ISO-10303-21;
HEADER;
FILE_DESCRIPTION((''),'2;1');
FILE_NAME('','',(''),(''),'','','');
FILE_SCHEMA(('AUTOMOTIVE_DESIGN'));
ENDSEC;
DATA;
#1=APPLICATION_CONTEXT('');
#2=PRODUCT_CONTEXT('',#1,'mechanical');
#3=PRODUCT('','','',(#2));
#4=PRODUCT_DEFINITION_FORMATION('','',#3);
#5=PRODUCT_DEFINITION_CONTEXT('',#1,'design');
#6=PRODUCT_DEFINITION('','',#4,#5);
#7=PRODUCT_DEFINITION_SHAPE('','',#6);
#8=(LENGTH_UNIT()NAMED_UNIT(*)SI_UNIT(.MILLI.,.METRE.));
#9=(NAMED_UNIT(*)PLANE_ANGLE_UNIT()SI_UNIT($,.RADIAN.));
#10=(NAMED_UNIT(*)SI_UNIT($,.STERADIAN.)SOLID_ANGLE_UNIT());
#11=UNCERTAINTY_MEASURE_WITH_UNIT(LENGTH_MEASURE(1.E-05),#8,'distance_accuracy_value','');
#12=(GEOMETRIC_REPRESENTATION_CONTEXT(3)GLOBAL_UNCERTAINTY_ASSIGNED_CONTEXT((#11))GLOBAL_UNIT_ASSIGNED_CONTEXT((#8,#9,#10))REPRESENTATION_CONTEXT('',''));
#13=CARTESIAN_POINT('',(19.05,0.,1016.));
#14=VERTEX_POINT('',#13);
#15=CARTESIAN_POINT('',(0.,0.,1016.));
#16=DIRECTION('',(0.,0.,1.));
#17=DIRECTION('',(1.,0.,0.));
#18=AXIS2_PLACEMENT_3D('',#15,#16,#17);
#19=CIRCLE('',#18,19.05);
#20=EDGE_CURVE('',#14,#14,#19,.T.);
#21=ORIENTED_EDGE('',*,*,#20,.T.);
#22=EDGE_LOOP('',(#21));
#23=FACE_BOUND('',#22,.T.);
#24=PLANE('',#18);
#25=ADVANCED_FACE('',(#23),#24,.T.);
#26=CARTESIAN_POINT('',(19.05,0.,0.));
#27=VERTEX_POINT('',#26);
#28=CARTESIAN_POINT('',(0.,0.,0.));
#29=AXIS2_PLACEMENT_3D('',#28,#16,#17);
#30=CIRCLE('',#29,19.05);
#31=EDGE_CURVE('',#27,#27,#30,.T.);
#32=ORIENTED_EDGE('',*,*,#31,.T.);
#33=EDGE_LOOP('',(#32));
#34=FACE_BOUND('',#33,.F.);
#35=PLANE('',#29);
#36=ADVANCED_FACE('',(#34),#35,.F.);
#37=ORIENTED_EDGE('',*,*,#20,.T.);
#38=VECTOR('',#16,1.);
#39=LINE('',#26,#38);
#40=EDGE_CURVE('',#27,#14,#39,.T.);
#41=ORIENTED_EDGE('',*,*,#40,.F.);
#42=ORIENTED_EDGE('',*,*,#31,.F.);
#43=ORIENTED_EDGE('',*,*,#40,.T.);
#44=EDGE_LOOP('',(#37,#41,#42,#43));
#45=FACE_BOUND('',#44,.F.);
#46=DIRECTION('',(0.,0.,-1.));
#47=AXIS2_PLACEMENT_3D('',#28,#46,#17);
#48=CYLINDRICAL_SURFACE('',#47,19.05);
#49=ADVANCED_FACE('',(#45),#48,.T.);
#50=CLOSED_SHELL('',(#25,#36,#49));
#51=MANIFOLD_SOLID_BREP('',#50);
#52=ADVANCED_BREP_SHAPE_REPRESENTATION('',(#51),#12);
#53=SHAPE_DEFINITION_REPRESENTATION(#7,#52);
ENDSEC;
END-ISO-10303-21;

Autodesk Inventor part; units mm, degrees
ref_plane "YZ Plane" through (0, 0, 0) normal (1, 0, 0) x (0, 1, 0)
ref_plane "XZ Plane" through (0, 0, 0) normal (0, 1, 0) x (-1, 0, 0)
ref_plane "XY Plane" through (0, 0, 0) normal (0, 0, 1) x (1, 0, 0)
sketch "Sketch1" plane through (0, 0, 0) normal (0, 0, 1) x (1, 0, 0)
  circle A0 centre (0, 0) radius 19.05
  dimension "d0" = 38.1
extrude "Extrusion1" add sketch "Sketch1" along normal blind 1016
properties part number "Pyramid Pole"
